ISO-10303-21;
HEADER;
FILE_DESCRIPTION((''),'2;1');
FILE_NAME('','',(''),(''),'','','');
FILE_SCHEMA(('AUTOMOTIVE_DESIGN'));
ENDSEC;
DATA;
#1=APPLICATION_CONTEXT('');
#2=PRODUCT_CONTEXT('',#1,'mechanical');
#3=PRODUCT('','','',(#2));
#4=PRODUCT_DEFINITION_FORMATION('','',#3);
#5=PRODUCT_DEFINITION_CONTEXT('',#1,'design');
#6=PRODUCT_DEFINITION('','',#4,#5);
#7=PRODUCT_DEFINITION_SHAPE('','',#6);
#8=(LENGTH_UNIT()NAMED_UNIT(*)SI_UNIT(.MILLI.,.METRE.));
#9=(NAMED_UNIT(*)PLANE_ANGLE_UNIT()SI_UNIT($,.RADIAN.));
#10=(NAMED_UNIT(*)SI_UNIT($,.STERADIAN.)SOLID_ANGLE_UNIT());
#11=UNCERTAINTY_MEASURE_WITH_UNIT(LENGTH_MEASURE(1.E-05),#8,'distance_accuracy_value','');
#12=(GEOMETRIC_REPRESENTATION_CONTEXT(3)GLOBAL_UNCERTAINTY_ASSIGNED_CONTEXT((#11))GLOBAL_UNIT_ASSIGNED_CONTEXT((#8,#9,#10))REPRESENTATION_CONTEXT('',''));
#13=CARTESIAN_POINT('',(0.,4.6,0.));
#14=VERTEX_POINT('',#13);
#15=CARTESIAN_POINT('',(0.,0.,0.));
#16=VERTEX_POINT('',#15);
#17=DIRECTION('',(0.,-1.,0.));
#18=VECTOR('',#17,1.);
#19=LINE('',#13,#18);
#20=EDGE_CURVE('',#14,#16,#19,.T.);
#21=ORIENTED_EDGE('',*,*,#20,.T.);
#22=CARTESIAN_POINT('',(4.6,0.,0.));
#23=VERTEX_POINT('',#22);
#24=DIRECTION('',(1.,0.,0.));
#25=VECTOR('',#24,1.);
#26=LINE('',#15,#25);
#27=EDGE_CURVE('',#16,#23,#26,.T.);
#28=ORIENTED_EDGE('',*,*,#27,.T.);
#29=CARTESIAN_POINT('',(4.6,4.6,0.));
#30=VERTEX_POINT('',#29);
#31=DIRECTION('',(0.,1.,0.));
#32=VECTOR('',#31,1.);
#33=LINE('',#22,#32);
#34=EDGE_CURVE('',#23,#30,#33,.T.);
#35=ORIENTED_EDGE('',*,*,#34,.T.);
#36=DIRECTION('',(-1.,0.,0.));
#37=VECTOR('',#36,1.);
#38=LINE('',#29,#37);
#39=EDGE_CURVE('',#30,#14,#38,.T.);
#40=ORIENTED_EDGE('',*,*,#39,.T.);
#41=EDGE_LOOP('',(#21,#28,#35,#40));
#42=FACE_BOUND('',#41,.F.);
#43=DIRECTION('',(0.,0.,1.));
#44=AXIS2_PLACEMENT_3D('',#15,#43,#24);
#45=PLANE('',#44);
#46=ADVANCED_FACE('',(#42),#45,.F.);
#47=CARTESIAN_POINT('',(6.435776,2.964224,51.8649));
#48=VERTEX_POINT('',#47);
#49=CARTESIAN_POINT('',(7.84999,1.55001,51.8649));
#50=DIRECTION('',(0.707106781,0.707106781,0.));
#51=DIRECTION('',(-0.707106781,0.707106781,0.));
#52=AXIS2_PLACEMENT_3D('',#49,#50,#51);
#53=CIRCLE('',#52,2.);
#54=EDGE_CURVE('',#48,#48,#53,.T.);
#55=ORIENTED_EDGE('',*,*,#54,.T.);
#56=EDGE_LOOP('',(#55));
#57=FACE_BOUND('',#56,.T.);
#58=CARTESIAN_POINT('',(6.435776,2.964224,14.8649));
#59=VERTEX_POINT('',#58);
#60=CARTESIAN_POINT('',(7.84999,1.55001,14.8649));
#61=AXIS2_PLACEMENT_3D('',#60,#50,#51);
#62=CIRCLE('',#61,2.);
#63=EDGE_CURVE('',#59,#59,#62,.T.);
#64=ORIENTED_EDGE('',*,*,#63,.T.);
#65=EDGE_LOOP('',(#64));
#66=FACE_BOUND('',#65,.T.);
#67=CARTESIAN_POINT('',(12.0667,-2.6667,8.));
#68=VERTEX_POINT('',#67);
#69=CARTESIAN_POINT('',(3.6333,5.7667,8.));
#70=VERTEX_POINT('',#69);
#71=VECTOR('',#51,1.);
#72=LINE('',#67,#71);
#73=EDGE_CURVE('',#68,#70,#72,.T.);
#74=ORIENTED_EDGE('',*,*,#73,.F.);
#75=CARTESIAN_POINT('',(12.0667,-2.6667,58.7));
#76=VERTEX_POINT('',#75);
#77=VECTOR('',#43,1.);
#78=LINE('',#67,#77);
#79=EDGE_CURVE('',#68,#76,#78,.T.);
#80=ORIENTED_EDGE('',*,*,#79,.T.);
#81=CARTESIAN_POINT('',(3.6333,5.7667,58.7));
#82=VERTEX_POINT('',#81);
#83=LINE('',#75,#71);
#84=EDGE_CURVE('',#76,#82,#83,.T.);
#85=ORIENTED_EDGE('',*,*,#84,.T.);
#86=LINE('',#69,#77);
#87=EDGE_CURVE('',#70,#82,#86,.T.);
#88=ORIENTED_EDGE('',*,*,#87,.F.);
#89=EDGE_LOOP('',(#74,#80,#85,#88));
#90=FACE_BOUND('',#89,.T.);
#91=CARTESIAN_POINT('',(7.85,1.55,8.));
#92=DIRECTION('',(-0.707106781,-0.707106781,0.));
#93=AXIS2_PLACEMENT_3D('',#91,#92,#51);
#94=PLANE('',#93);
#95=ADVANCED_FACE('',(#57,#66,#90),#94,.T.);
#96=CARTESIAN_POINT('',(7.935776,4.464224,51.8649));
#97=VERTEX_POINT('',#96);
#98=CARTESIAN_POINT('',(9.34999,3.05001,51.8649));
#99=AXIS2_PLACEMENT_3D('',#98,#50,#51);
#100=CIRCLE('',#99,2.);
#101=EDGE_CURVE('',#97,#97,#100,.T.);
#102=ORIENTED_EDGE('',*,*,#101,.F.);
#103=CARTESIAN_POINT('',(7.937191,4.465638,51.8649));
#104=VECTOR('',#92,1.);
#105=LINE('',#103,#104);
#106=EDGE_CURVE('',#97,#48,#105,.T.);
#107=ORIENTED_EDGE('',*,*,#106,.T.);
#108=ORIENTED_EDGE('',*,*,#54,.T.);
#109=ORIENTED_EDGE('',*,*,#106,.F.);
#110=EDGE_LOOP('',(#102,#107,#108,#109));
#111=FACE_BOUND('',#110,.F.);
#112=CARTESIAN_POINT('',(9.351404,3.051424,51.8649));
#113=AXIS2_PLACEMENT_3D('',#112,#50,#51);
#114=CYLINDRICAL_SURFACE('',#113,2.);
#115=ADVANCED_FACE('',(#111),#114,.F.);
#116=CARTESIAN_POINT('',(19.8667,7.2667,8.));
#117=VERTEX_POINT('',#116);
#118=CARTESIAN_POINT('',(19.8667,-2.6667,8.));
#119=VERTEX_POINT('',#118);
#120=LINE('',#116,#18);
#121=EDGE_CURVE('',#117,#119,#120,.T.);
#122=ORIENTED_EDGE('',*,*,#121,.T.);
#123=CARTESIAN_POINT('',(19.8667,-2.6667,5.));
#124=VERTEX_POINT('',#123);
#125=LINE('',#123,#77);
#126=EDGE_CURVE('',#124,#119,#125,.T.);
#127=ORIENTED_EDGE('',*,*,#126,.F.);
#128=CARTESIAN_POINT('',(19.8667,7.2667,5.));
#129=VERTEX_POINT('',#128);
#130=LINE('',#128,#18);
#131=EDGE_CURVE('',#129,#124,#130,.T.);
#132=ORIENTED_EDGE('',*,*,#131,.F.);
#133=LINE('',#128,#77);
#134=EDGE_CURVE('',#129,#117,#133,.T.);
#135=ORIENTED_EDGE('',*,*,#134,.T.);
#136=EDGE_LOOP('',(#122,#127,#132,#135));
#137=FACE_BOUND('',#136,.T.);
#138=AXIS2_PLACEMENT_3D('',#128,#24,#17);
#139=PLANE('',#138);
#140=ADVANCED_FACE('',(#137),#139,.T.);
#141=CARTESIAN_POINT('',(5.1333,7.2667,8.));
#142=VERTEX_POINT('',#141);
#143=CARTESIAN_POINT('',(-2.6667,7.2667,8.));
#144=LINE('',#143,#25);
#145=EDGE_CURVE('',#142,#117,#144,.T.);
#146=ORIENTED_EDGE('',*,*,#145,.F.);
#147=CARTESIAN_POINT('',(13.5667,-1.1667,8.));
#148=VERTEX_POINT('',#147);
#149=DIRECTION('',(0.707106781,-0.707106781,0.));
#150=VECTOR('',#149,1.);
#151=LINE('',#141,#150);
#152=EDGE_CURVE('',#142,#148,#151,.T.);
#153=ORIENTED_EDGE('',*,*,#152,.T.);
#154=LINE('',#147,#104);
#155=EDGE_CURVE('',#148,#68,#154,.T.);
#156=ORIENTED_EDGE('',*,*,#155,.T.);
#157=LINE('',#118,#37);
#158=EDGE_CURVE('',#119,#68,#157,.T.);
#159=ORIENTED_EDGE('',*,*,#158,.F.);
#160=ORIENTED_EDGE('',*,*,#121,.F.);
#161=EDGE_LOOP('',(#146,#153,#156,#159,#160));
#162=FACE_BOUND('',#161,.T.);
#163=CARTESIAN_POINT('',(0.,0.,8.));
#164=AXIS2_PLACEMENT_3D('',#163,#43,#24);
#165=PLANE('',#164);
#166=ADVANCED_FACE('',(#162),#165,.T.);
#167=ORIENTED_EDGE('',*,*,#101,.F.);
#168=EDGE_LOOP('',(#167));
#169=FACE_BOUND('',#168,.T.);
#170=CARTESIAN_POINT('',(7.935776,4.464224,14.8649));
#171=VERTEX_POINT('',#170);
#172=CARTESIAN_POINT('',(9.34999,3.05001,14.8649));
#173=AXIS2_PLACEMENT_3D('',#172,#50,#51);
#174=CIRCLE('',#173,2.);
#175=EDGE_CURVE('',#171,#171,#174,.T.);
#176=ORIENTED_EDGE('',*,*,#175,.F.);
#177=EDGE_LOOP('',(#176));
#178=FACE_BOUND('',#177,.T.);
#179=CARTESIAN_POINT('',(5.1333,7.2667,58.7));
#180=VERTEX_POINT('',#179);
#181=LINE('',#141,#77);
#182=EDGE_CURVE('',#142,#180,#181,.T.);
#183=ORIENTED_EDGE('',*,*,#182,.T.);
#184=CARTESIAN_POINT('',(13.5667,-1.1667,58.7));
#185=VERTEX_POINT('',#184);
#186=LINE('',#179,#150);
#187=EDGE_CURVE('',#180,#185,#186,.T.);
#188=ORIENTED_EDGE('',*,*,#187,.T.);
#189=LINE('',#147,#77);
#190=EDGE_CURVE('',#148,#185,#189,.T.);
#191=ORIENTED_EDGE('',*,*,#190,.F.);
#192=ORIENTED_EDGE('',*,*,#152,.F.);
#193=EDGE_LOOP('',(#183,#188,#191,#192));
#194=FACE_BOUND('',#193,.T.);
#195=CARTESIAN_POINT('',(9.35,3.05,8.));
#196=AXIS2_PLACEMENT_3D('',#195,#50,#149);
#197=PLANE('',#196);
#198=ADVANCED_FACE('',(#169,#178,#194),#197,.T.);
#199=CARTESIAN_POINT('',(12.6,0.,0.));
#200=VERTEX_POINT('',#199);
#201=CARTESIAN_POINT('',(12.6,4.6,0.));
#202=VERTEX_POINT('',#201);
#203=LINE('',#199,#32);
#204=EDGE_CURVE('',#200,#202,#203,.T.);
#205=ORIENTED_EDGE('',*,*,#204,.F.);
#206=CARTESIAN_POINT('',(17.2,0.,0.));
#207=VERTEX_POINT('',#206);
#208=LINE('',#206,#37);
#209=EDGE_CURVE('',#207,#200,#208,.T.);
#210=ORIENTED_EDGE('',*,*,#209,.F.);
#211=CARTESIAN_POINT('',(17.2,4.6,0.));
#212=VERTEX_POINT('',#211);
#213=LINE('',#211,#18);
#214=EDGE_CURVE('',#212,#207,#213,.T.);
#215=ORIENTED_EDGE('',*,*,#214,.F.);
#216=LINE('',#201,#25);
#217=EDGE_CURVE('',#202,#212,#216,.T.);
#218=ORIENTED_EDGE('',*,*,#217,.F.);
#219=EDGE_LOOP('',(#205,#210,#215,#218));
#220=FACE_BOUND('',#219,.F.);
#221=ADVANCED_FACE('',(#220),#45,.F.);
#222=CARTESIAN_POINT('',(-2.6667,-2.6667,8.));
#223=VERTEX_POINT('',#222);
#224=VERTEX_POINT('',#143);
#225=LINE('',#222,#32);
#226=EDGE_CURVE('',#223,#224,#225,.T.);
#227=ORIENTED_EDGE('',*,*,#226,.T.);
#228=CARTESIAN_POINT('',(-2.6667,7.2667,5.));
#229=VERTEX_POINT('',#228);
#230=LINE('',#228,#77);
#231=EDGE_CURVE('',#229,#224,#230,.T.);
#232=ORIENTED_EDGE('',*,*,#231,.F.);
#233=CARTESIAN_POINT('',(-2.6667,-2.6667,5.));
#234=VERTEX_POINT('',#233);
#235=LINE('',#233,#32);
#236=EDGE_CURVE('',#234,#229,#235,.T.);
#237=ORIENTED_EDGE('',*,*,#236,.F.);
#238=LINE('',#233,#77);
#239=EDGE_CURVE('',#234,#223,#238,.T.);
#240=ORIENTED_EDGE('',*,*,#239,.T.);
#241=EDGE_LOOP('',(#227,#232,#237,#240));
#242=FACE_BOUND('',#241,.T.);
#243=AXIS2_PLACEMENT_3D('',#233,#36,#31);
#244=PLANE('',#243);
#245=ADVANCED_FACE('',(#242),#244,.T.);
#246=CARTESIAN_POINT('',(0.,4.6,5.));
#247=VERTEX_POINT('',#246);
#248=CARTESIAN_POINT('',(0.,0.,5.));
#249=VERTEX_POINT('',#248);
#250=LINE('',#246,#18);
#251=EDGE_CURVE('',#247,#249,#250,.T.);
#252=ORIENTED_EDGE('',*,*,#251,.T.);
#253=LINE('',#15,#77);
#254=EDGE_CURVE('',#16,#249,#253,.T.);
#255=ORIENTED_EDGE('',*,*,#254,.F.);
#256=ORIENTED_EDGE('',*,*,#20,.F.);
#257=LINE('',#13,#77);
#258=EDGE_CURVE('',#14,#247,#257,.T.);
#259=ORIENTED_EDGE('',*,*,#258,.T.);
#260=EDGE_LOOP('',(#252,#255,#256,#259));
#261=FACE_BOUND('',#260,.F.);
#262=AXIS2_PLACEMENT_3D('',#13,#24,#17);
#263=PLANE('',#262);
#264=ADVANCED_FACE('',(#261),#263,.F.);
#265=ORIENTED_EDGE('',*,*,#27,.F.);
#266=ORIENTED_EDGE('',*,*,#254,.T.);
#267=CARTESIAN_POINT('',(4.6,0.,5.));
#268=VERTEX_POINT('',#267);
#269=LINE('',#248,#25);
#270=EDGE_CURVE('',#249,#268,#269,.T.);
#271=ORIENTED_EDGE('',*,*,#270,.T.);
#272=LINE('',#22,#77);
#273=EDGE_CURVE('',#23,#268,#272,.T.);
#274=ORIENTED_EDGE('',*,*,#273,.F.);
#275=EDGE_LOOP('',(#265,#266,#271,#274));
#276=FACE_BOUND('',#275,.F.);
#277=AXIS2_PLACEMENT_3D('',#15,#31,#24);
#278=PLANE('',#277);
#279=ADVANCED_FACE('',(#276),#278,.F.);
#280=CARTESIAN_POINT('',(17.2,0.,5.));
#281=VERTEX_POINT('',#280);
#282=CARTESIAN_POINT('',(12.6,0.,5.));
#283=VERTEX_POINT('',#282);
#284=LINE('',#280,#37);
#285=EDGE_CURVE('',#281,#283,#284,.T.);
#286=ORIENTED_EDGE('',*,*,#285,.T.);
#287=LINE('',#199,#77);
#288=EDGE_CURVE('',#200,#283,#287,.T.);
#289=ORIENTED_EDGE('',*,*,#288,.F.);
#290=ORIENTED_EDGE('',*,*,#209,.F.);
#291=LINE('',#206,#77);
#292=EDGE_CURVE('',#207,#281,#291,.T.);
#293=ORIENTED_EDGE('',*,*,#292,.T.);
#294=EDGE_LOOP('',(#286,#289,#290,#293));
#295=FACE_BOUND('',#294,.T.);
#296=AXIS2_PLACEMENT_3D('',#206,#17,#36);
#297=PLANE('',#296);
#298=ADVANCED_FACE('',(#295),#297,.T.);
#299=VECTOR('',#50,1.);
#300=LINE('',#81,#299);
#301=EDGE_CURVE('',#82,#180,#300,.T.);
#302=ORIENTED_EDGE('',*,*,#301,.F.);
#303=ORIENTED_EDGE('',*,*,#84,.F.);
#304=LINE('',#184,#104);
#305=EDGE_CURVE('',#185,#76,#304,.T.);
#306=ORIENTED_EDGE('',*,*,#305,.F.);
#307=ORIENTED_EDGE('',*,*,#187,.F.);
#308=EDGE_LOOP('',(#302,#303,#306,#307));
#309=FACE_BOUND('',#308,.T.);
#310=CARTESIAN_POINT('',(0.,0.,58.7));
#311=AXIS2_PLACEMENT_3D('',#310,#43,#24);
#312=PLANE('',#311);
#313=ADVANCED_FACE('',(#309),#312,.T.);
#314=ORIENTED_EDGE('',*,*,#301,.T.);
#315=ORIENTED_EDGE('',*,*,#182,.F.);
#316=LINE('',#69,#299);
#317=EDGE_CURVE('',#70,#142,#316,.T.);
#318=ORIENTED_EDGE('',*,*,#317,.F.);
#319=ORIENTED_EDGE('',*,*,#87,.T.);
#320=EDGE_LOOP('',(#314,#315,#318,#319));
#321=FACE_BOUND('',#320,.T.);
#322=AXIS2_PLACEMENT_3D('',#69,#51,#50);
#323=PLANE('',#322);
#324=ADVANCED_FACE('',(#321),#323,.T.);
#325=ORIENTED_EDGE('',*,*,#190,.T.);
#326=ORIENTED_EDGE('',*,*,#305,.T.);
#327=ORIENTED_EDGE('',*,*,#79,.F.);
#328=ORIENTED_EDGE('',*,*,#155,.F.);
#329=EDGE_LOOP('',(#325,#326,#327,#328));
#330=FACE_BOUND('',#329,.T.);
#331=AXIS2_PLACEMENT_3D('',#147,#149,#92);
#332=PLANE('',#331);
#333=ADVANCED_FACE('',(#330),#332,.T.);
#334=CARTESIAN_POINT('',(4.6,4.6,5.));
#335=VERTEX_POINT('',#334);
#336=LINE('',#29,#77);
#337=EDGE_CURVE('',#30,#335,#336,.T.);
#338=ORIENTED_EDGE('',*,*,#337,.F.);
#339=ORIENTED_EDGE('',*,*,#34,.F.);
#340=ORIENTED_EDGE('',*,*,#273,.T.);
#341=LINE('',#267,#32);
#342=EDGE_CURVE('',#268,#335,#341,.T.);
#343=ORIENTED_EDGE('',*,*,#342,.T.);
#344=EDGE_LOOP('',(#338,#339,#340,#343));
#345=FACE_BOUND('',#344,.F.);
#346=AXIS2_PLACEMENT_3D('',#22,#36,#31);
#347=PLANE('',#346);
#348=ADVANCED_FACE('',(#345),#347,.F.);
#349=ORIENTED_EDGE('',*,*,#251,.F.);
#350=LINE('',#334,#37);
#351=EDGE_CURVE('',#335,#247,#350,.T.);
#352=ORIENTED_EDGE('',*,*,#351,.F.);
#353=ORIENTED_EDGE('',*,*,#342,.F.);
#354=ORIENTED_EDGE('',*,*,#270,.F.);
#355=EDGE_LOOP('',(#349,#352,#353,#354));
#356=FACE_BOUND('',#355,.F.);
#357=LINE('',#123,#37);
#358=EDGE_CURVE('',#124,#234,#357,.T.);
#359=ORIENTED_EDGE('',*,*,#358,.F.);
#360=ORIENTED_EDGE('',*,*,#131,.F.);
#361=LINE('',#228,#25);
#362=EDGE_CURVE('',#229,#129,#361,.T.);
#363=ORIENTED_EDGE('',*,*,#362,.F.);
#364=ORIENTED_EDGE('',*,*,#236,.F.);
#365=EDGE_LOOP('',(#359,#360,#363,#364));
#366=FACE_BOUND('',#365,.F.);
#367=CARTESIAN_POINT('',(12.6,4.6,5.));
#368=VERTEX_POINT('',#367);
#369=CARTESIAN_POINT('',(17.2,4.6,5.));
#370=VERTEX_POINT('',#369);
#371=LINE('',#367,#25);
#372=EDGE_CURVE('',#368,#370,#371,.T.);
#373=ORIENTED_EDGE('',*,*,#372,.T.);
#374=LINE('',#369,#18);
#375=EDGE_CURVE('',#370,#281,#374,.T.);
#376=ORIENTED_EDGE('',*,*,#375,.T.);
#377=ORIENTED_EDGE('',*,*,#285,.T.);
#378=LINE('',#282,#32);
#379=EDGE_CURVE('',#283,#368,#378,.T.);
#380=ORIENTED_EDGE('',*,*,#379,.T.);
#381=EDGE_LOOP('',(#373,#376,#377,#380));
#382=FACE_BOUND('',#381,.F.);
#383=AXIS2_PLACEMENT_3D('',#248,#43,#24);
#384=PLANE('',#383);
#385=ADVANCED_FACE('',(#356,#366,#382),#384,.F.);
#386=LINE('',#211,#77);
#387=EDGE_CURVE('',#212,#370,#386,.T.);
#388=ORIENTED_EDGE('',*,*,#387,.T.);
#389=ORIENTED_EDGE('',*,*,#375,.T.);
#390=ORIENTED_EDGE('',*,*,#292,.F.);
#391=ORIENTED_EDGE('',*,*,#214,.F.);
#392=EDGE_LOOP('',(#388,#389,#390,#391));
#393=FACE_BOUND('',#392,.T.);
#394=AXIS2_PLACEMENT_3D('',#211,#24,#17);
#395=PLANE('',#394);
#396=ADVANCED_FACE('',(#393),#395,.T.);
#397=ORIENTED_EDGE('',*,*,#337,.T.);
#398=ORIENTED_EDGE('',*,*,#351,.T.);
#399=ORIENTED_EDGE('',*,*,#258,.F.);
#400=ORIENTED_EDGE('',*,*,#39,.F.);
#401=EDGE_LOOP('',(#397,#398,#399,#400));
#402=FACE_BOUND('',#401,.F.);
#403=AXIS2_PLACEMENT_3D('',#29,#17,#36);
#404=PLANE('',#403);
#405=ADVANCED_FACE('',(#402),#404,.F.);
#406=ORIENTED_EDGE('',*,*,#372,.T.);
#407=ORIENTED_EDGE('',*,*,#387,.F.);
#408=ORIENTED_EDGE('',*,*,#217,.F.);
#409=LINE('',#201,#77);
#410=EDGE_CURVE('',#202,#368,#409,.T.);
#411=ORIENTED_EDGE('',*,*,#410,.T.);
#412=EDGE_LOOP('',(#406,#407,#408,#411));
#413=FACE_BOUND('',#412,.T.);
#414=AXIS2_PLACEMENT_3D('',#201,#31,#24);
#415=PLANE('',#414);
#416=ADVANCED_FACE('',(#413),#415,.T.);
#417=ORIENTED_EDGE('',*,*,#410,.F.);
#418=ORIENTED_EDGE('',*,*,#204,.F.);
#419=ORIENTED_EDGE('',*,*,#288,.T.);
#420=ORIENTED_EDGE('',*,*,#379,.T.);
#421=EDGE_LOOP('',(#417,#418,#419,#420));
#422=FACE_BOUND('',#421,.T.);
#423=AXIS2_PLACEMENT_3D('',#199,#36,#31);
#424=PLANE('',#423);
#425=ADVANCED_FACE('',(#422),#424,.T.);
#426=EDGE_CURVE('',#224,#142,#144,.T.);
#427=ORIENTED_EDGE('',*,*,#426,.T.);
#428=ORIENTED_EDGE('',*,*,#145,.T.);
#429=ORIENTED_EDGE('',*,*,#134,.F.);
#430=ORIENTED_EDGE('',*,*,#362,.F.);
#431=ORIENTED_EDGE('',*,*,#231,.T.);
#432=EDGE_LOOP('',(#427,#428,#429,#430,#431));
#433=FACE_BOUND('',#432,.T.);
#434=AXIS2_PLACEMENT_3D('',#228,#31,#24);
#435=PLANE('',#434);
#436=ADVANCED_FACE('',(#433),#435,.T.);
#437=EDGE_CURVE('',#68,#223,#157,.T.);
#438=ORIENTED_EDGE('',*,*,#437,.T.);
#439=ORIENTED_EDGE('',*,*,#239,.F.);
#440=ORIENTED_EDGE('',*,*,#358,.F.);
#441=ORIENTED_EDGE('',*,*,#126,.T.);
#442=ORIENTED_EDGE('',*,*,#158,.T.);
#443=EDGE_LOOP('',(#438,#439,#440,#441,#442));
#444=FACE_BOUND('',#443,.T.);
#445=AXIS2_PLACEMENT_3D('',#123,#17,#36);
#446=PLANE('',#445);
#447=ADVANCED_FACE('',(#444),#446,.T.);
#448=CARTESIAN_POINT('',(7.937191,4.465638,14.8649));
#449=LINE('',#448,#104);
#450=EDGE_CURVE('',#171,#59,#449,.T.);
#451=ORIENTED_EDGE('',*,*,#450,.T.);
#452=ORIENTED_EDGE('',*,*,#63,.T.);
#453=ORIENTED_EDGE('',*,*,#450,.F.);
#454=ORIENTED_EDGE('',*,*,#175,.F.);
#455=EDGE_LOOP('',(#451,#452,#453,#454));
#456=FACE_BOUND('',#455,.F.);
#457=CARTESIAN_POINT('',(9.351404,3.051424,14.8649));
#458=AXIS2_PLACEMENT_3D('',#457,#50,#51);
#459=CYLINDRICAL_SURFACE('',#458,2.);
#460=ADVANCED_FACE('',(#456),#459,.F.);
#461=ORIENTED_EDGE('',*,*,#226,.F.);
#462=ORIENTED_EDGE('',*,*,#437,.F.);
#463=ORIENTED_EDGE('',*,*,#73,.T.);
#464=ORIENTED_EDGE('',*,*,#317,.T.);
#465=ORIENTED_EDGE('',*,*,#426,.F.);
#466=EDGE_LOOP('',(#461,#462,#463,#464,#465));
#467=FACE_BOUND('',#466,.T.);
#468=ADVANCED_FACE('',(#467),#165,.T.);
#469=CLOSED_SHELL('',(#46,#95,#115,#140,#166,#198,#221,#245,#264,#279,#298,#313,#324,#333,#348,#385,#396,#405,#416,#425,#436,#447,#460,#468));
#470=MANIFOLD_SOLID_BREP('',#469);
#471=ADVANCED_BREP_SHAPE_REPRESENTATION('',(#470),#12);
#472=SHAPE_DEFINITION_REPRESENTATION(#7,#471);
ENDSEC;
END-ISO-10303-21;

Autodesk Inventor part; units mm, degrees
ref_plane "YZ Plane" through (0, 0, 0) normal (1, 0, 0) x (0, 1, 0)
ref_plane "XZ Plane" through (0, 0, 0) normal (0, 1, 0) x (-1, 0, 0)
ref_plane "XY Plane" through (0, 0, 0) normal (0, 0, 1) x (1, 0, 0)
sketch "Sketch1" plane through (0, 0, 0) normal (0, 0, 1) x (1, 0, 0)
  line L0 (0, 0) -> (4.6, 0)
  line L1 (4.6, 0) -> (4.6, 4.6)
  line L2 (4.6, 4.6) -> (0, 4.6)
  line L3 (0, 4.6) -> (0, 0)
  line L4 (4.6, 4.6) -> (12.6, 4.6) construction
  line L5 (12.6, 4.6) -> (17.2, 4.6)
  line L6 (17.2, 4.6) -> (17.2, 0)
  line L7 (17.2, 0) -> (12.6, 0)
  line L8 (12.6, 0) -> (12.6, 4.6)
  dimension "d2" = 4.6
  dimension "d3" = 4.6
  dimension "d4" = 8
  dimension "d5" = 4.6
extrude "Extrusion1" add sketch "Sketch1" along normal blind 5
sketch "Sketch2" plane through (0, 0, 5) normal (0, 0, 1) x (1, 0, 0)
  line L0 (17.2, 0) -> (17.2, -2.6667) construction
  line L1 (17.2, -2.6667) -> (19.8667, -2.6667) construction
  line L2 (0, 4.6) -> (0, 7.2667) construction
  line L3 (0, 7.2667) -> (-2.6667, 7.2667) construction
  line L4 (-2.6667, 7.2667) -> (19.8667, 7.2667)
  line L5 (19.8667, 7.2667) -> (19.8667, -2.6667)
  line L6 (19.8667, -2.6667) -> (-2.6667, -2.6667)
  line L7 (-2.6667, -2.6667) -> (-2.6667, 7.2667)
  point P0 (29.8, 0)
  dimension "d18" = 2.6667
  dimension "d19" = 2.6667
  dimension "d20" = 2.6667
  dimension "d21" = 2.6667
extrude "Extrusion2" add sketch "Sketch2" along normal blind 3
sketch "Sketch3" plane through (0, 0, 8) normal (0, 0, 1) x (1, 0, 0)
  line L0 (19.8667, -2.6667) -> (19.8667, 7.2667) construction
  line L1 (19.8667, 7.2667) -> (-2.6667, 7.2667) construction
  line L2 (-2.6667, -2.6667) -> (19.8667, -2.6667) construction
  line L3 (-2.6667, 7.2667) -> (-2.6667, -2.6667) construction
  line L4 (-2.6667, 2.3) -> (19.8667, 2.3) construction
  line L5 (8.6, 7.2667) -> (8.6, -2.6667) construction
  line L6 (8.6, 2.3) -> (7.85, 3.05) construction
  line L7 (8.6, 2.3) -> (9.35, 1.55) construction
  line L8 (8.6, 2.3) -> (9.35, 3.05) construction
  line L9 (8.6, 2.3) -> (7.85, 1.55) construction
  line L10 (9.35, 3.05) -> (5.1333, 7.2667)
  line L11 (7.85, 1.55) -> (12.0667, -2.6667)
  line L12 (9.35, 3.05) -> (13.5667, -1.1667)
  line L13 (13.5667, -1.1667) -> (12.0667, -2.6667)
  line L14 (7.85, 1.55) -> (3.6333, 5.7667)
  line L15 (3.6333, 5.7667) -> (5.1333, 7.2667)
  point P0 (0, 0)
  dimension "d46" = 0.75
  dimension "d47" = 45
  dimension "d48" = 45
  dimension "d49" = 0.75
extrude "Extrusion4" add sketch "Sketch3" along normal blind 50.7
sketch "Sketch5" plane through (5.1333, 7.2667, 8) normal (0.7071, 0.7071, 0) x (-0.7071, 0.7071, 0)
  line L0 (0, 0.0299) -> (-11.9265, -0.0248) construction
  line L1 (-5.9633, 0.0025) -> (-5.9633, 50.7) construction
  line L2 (0, 50.7) -> (-10.418, 50.7) construction
  line L3 (-11.9265, 50.7547) -> (-11.9265, -0.0248) construction
  line L4 (-11.9265, 25.3649) -> (0, 25.3649) construction
  line L5 (0, 50.7) -> (0, 0.0299) construction
  line L6 (-5.9633, 25.3649) -> (-5.9633, 6.8649) construction
  line L7 (-5.9633, 25.3649) -> (-5.9633, 43.8649) construction
  circle A0 centre (-5.9633, 6.8649) radius 2
  circle A1 centre (-5.9633, 43.8649) radius 2
  line L8 (-11.9265, 0) -> (-11.9265, 50.7) projected
  line L9 (-11.9265, 50.7) -> (0, 50.7) projected
  point P0 (-1.5085, -8)
  point P1 (5.5376, 58.6752)
  dimension "d50" = 18.5
  dimension "d51" = 18.5
  dimension "d52" = 4
  dimension "d53" = 4
  dimension "d54" = 0
  dimension "d55" = 0
extrude "Extrusion6" cut sketch "Sketch5" against normal blind 50.7
equation "\"d2\" = box"
equation "\"d3\" = box"
equation "\"d4\" = gap"
equation "\"d5\" = box"
equation "\"d18\" = 0.333333 * gap"
equation "\"d19\" = 0.333333 * gap"
equation "\"d20\" = 0.333333 * gap"
equation "\"d21\" = 0.333333 * gap"
equation "\"box\" = 4.6"
equation "\"gap\" = 8"
properties part number "IR45"
